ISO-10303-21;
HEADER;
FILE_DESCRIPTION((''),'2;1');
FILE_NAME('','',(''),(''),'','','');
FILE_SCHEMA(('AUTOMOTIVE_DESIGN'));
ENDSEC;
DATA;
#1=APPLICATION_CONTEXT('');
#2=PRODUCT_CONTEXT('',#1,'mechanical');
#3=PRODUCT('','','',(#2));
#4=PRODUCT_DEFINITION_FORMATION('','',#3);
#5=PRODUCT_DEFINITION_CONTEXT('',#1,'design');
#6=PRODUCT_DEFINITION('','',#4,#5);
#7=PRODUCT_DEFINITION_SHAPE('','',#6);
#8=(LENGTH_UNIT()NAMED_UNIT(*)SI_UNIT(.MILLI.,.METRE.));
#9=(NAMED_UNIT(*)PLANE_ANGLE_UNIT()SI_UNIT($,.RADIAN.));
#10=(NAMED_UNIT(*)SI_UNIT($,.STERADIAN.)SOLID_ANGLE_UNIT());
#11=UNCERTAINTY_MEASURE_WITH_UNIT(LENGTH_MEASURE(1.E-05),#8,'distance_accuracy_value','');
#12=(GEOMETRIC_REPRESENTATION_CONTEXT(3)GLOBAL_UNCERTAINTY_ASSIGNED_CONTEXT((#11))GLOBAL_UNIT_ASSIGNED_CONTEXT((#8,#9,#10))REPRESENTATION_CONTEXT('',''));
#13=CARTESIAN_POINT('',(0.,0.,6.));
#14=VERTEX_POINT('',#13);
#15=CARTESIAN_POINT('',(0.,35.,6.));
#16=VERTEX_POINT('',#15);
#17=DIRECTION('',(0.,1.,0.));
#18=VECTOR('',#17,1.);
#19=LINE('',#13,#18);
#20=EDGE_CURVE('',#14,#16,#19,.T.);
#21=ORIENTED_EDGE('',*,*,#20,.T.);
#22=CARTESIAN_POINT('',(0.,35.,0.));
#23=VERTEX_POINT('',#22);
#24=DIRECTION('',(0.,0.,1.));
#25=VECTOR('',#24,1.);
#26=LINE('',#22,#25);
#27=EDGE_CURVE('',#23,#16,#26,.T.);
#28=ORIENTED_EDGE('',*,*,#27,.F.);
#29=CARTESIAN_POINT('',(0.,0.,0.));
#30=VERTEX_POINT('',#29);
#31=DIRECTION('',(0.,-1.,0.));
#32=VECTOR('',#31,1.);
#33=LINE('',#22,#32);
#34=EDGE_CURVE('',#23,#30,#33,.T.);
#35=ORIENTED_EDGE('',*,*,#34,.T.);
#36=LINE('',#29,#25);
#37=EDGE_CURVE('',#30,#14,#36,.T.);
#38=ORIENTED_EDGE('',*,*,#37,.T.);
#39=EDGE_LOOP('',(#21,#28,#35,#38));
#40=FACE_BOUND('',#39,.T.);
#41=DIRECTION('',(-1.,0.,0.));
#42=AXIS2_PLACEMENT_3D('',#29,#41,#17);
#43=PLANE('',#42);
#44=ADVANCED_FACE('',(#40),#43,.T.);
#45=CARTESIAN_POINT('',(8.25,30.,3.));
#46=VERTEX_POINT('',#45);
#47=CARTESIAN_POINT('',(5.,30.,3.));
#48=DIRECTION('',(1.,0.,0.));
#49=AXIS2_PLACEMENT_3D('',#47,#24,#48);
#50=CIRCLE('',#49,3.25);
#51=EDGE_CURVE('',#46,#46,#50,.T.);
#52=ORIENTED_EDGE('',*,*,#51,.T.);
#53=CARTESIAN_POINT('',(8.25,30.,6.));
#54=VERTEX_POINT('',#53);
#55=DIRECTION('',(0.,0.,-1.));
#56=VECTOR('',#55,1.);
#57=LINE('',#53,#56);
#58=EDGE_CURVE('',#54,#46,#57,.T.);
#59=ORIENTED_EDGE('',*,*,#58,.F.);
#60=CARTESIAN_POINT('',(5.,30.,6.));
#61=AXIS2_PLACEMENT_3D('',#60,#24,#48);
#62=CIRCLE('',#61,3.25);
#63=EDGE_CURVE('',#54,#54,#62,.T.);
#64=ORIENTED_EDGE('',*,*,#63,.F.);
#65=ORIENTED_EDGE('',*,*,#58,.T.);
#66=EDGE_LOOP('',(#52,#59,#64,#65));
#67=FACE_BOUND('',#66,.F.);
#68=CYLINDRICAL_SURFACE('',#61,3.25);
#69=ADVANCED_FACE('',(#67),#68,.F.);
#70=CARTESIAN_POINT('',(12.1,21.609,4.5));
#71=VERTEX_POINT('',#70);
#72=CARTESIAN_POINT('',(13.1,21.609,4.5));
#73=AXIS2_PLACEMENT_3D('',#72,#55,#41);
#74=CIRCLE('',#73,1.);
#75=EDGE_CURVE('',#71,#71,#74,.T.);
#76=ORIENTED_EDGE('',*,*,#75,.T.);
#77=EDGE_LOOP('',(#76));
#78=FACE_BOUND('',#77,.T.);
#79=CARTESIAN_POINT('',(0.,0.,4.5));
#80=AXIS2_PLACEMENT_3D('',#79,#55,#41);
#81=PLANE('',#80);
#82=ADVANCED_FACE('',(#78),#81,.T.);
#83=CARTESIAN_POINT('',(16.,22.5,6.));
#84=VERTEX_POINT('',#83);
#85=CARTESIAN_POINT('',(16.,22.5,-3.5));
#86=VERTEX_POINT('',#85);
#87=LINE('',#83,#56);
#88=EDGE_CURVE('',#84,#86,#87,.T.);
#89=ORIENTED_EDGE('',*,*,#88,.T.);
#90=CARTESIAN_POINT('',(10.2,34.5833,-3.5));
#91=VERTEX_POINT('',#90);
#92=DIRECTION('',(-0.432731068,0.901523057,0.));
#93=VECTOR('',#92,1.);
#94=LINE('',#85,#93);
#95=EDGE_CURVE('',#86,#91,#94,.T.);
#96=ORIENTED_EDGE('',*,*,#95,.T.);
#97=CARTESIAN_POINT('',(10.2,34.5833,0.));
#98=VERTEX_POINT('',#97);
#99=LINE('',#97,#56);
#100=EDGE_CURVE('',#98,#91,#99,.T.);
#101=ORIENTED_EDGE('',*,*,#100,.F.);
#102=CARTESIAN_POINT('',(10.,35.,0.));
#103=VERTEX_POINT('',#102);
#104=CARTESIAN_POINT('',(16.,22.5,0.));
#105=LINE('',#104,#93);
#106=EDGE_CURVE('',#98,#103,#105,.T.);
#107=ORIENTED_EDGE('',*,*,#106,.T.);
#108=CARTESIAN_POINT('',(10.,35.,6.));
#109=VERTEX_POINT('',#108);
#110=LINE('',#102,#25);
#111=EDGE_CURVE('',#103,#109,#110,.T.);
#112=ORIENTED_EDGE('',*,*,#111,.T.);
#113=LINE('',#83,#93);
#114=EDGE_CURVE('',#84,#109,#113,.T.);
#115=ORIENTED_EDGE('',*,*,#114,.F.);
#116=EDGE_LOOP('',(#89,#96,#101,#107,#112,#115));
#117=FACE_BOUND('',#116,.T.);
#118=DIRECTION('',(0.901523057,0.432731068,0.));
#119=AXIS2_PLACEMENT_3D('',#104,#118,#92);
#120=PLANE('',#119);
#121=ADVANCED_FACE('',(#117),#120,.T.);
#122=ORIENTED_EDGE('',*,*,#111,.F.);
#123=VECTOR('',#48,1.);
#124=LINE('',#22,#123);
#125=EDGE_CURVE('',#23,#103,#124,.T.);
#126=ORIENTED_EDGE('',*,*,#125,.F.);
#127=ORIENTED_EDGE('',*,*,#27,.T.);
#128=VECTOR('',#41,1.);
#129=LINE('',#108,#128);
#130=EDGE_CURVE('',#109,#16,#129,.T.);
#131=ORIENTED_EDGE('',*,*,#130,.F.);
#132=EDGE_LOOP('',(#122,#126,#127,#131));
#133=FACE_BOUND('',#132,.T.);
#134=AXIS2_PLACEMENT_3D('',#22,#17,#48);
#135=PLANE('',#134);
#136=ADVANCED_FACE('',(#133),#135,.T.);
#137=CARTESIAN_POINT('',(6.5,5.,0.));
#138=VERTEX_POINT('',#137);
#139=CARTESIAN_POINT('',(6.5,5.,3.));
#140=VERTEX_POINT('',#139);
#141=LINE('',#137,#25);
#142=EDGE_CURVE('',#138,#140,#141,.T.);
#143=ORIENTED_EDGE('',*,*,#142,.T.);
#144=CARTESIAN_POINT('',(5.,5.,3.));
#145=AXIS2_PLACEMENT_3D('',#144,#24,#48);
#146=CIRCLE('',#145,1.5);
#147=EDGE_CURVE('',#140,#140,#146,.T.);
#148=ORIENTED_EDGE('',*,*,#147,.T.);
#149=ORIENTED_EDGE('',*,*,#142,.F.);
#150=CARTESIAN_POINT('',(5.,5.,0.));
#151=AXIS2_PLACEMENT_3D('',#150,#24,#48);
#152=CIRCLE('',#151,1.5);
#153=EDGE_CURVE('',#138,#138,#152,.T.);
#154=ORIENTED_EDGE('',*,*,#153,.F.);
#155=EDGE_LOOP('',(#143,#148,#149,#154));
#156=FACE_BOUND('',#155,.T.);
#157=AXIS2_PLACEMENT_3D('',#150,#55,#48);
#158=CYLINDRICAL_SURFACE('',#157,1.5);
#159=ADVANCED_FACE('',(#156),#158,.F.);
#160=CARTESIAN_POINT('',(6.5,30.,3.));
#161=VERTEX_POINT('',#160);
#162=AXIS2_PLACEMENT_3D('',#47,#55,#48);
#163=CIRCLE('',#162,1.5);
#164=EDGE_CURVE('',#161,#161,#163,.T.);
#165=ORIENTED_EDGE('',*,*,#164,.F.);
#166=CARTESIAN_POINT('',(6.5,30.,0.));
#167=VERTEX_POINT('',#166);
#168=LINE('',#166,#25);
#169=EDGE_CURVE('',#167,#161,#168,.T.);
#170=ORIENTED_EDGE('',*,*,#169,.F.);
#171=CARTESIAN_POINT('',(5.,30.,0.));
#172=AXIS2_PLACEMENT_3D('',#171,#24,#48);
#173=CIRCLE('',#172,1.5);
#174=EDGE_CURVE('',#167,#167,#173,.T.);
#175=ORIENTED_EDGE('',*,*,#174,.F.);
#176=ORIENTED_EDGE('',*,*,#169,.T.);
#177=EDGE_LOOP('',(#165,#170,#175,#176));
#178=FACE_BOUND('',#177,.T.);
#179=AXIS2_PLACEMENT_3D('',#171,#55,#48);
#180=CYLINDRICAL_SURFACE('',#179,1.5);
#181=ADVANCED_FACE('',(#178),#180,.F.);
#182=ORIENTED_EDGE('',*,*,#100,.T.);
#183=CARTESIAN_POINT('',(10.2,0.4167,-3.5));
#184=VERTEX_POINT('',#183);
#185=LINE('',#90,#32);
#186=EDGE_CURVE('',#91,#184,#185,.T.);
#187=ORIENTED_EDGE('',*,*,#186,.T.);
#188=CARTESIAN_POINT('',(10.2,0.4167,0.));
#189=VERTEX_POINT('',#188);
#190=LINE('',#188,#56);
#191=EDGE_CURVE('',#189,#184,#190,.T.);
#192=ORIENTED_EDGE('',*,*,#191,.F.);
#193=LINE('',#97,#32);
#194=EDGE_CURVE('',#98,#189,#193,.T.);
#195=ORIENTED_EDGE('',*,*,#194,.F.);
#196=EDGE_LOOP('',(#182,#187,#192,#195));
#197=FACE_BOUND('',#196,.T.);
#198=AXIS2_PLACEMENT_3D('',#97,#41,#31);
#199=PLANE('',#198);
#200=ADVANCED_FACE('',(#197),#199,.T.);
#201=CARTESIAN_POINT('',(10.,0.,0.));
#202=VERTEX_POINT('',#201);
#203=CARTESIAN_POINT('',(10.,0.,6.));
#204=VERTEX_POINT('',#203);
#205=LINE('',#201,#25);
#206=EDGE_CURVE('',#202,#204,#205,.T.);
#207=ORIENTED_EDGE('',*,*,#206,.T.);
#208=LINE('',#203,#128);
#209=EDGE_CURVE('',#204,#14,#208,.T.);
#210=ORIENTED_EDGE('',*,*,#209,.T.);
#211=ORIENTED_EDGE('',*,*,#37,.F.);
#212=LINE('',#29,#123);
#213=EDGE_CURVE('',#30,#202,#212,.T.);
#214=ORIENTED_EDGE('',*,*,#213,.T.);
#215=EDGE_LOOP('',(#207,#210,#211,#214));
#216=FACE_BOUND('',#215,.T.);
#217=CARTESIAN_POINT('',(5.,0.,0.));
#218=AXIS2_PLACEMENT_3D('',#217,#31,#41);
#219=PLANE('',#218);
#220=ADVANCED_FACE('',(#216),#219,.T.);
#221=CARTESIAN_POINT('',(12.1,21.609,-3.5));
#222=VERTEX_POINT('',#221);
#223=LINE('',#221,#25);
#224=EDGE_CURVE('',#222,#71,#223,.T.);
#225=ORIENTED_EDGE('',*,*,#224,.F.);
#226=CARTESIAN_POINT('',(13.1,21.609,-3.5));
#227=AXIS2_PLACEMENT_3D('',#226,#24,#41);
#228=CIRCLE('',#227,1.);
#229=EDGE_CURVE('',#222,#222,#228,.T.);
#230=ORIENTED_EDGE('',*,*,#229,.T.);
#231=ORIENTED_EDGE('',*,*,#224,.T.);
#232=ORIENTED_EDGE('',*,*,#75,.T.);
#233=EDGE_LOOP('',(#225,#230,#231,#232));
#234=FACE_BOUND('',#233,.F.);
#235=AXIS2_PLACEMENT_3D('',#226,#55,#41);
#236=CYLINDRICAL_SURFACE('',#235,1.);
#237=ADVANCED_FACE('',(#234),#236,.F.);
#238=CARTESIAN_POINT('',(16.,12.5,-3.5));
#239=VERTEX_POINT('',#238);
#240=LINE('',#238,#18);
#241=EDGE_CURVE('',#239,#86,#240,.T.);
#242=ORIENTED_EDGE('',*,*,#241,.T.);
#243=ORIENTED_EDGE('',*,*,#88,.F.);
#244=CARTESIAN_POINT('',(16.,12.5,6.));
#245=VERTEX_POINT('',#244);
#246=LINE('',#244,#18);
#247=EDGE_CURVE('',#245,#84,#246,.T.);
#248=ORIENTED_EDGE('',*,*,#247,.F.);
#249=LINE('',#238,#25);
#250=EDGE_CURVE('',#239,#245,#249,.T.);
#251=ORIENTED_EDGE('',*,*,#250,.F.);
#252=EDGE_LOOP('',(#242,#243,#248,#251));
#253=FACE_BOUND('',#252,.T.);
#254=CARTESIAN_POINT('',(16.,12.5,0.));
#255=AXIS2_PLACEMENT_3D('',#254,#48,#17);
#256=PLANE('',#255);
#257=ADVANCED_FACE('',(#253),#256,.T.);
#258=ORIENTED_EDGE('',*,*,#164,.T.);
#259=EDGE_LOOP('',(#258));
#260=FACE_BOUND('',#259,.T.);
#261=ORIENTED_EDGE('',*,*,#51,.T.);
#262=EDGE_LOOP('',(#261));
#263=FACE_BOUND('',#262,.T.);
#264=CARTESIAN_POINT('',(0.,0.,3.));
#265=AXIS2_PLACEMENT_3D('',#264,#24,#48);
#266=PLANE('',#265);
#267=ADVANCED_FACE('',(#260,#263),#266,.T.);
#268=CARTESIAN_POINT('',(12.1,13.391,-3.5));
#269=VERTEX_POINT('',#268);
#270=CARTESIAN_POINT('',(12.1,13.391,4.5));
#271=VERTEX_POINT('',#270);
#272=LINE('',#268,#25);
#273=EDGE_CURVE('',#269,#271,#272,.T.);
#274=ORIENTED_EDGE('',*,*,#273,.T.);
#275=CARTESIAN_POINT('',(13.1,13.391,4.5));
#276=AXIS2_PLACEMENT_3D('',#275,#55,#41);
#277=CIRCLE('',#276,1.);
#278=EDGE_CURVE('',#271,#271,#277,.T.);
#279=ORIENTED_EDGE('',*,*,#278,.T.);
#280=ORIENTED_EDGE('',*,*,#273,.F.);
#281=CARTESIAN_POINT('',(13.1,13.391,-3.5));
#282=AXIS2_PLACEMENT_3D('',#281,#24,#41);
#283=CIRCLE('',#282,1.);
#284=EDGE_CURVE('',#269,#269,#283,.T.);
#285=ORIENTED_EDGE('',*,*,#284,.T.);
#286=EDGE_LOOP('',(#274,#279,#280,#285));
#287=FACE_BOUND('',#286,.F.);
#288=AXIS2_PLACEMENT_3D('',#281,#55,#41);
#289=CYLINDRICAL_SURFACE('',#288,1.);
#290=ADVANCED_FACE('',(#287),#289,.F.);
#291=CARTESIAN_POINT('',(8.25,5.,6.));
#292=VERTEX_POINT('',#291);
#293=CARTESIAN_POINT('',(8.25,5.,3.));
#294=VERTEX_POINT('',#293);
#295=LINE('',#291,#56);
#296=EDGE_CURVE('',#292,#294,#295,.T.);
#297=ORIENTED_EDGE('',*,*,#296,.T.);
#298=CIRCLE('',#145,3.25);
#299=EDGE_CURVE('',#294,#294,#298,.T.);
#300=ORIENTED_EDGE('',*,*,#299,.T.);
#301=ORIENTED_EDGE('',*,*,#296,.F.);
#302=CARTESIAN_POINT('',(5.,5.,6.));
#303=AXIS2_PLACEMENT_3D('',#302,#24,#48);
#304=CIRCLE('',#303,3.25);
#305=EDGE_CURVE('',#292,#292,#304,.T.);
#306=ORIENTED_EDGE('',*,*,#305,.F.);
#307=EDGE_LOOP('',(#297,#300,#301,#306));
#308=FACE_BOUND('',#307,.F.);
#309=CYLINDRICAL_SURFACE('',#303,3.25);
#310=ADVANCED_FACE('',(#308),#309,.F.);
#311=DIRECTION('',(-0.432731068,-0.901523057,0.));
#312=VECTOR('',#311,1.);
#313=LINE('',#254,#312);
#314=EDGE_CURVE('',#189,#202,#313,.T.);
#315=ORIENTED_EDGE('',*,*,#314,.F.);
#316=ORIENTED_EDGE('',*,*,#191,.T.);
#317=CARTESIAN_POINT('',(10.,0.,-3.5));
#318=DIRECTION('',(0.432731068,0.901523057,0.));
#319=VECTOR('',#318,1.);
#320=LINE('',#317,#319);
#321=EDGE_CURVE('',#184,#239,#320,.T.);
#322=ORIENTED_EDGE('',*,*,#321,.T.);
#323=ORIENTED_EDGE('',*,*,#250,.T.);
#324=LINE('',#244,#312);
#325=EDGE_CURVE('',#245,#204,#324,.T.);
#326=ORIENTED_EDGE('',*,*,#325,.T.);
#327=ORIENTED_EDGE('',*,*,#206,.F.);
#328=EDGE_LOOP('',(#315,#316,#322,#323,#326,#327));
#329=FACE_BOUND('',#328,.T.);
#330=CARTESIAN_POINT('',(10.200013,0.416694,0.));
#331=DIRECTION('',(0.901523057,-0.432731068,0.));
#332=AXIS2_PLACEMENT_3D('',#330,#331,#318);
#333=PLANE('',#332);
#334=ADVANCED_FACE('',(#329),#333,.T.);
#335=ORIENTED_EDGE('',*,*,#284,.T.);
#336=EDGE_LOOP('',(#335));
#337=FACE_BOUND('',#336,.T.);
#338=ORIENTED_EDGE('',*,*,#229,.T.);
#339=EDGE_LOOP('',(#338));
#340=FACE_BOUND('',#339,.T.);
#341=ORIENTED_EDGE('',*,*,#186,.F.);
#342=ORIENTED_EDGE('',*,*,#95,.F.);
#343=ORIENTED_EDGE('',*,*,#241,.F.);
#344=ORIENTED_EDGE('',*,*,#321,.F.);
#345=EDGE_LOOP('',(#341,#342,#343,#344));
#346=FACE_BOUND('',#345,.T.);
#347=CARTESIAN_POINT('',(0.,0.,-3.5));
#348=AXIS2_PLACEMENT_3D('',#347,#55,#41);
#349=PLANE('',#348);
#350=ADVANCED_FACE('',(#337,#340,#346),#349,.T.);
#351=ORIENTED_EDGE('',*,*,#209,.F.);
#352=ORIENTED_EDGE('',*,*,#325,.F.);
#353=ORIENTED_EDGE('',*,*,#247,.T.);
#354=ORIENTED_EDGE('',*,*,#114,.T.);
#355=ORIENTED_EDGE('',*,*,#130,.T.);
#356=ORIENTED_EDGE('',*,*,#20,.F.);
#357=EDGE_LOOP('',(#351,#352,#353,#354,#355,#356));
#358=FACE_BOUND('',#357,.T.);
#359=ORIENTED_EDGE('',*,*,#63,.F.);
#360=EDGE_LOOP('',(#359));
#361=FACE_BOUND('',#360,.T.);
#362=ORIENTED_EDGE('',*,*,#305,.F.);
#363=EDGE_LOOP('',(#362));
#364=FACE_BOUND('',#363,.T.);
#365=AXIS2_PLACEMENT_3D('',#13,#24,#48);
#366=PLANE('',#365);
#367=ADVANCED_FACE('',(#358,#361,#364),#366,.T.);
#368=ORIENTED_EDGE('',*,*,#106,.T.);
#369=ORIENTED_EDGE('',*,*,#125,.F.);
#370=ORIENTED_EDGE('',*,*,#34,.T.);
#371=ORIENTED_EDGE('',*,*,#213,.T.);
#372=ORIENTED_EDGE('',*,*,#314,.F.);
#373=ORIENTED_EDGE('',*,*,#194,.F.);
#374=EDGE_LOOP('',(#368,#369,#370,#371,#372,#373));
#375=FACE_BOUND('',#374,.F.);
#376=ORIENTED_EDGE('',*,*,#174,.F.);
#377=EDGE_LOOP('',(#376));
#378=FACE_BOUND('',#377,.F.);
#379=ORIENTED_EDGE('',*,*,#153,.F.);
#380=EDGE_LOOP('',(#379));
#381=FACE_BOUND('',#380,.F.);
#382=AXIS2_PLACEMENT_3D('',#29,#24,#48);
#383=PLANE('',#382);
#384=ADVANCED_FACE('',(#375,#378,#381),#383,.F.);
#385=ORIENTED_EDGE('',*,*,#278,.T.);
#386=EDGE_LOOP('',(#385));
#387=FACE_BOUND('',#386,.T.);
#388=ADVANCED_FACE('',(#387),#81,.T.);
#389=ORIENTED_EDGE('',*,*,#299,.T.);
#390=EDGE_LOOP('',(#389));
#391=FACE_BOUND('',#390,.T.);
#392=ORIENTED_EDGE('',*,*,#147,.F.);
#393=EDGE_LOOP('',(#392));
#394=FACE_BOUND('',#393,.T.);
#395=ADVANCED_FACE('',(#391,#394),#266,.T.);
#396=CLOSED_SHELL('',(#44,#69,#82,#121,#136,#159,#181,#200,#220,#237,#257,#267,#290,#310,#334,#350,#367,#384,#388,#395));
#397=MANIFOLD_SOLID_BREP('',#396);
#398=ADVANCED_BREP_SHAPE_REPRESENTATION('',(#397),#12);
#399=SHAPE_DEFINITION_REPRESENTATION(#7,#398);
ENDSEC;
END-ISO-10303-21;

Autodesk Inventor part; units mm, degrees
ref_plane "YZ Plane" through (0, 0, 0) normal (1, 0, 0) x (0, 1, 0)
ref_plane "XZ Plane" through (0, 0, 0) normal (0, 1, 0) x (-1, 0, 0)
ref_plane "XY Plane" through (0, 0, 0) normal (0, 0, 1) x (1, 0, 0)
sketch "Sketch1" plane through (0, 0, 0) normal (0, 0, 1) x (1, 0, 0)
  line L0 (0, 0) -> (0, 5)
  line L1 (0, 5) -> (0, 30)
  line L2 (0, 30) -> (0, 35)
  line L3 (0, 35) -> (10, 35)
  line L4 (10, 35) -> (10, 0)
  line L5 (10, 0) -> (0, 0)
  line L6 (0, 35) -> (5, 35)
  line L7 (5, 35) -> (5, 0)
  circle A0 centre (5, 30) radius 1.5
  circle A1 centre (5, 5) radius 1.5
  line L8 (5, 17.5) -> (10, 17.5)
  line L9 (10, 17.5) -> (16, 17.5)
  line L10 (16, 17.5) -> (16, 12.5)
  line L11 (16, 17.5) -> (16, 22.5)
  line L12 (16, 22.5) -> (10, 35)
  line L13 (16, 12.5) -> (10, 0)
  dimension "d0" = 5
  dimension "d1" = 25
  dimension "d2" = 5
  dimension "d3" = 10
  dimension "d4" = 5
  dimension "d5" = 3
  dimension "d6" = 3
  dimension "d7" = 6
  dimension "d8" = 5
  dimension "d9" = 5
extrude "Extrusion1" add sketch "Sketch1" along normal blind 6 contours L0 L1 L2 L3 L7 A0 A1 L5 | L7 A1 L8 L4 L5 | L4 L9 L10 L13 | L8 L7 A0 L3 L4 | L4 L12 L11 L9
sketch "Sketch2" plane through (0, 0, 0) normal (0, 0, -1) x (-1, 0, 0)
  line L0 (0, 35) -> (0, 0) projected
  line L1 (-10, 35) -> (0, 35) projected
  line L2 (-16, 22.5) -> (-10, 35) projected
  line L3 (-16, 12.5) -> (-16, 22.5) projected
  line L4 (-10, 0) -> (-16, 12.5) projected
  line L5 (0, 0) -> (-10, 0) projected
  circle A0 centre (-5, 30) radius 1.5 projected
  circle A1 centre (-5, 5) radius 1.5 projected
  line L6 (-10, 0) -> (-16, 12.5) projected
  line L7 (-10, 35) -> (-10, 0)
  line L8 (-10, 0) -> (-16, 12.5)
  line L9 (-16, 12.5) -> (-16, 22.5)
  line L10 (-10, 35) -> (-16, 22.5)
  line L11 (-10.2, 34.5833) -> (-10.2, 0.4167)
  point P0 (-10.2, 0.4167)
  dimension "d54" = 0.2
extrude "Extrusion2" add sketch "Sketch2" along normal blind 3.5 contours L11 L4 L3 L2
sketch "Sketch3" plane through (0, 0, 6) normal (0, 0, 1) x (1, 0, 0)
  line L0 (0, 35) -> (0, 0) projected
  line L1 (0, 0) -> (10, 0) projected
  line L2 (10, 0) -> (16, 12.5) projected
  line L3 (16, 12.5) -> (16, 22.5) projected
  line L4 (16, 22.5) -> (10, 35) projected
  line L5 (10, 35) -> (0, 35) projected
  circle A0 centre (5, 30) radius 1.5 projected
  circle A1 centre (5, 5) radius 1.5 projected
  circle A2 centre (5, 30) radius 3.25
  circle A3 centre (5, 5) radius 3.25
  dimension "d14" = 6.5
  dimension "d17" = 6.5
extrude "Extrusion3" cut sketch "Sketch3" against normal blind 3 contours A0 | A2 | A3
sketch "Sketch4" plane through (0, 0, -3.5) normal (0, 0, -1) x (-1, 0, 0)
  line L0 (-10.2, 34.5833) -> (-16, 22.5) projected
  line L1 (-16, 22.5) -> (-16, 12.5) projected
  line L2 (-16, 12.5) -> (-10.2, 0.4167) projected
  line L3 (0, 0) -> (-10, 0) projected
  line L4 (0, 35) -> (0, 0) projected
  line L5 (-10, 35) -> (0, 35) projected
  circle A0 centre (-5, 30) radius 1.5 projected
  circle A1 centre (-5, 5) radius 1.5 projected
  line L6 (-15.8046, 22.9071) -> (-13.1, 21.609)
  line L7 (-15.8046, 12.0929) -> (-13.1, 13.391)
  circle A2 centre (-13.1, 13.391) radius 1
  circle A3 centre (-13.1, 21.609) radius 1
  line L8 (-10.2, 34.5833) -> (-10.2, 0.4167) projected
  line L9 (-10, 0) -> (-10.2, 0.4167) projected
  line L10 (-10.2, 34.5833) -> (-10, 35) projected
  line L11 (-10.2, 0.4167) -> (-10.2, 34.5833) projected
  dimension "d39" = 3
  dimension "d41" = 90
  dimension "d42" = 3
  dimension "d43" = 90
  dimension "d45" = 2.9
  dimension "d46" = 2
  dimension "d47" = 2
  dimension "d52" = 8.2179
  dimension "d55" = 2.9
  dimension "d56" = 0.2
  dimension "d57" = 6
extrude "Extrusion4" cut sketch "Sketch4" against normal blind 8 contours A3 | A2
equation "\"d2\" = d0"
equation "\"d4\" = 0.5 * d3"
equation "\"d9\" = d8"
equation "\"d39\" = 0.5 * d36"
equation "\"d42\" = d39"
equation "\"d45\" = d55"
equation "\"d55\" = -0.5 * d56 + 0.5 * d57"
equation "\"d36\" = 6"
properties part number "Clamp"
